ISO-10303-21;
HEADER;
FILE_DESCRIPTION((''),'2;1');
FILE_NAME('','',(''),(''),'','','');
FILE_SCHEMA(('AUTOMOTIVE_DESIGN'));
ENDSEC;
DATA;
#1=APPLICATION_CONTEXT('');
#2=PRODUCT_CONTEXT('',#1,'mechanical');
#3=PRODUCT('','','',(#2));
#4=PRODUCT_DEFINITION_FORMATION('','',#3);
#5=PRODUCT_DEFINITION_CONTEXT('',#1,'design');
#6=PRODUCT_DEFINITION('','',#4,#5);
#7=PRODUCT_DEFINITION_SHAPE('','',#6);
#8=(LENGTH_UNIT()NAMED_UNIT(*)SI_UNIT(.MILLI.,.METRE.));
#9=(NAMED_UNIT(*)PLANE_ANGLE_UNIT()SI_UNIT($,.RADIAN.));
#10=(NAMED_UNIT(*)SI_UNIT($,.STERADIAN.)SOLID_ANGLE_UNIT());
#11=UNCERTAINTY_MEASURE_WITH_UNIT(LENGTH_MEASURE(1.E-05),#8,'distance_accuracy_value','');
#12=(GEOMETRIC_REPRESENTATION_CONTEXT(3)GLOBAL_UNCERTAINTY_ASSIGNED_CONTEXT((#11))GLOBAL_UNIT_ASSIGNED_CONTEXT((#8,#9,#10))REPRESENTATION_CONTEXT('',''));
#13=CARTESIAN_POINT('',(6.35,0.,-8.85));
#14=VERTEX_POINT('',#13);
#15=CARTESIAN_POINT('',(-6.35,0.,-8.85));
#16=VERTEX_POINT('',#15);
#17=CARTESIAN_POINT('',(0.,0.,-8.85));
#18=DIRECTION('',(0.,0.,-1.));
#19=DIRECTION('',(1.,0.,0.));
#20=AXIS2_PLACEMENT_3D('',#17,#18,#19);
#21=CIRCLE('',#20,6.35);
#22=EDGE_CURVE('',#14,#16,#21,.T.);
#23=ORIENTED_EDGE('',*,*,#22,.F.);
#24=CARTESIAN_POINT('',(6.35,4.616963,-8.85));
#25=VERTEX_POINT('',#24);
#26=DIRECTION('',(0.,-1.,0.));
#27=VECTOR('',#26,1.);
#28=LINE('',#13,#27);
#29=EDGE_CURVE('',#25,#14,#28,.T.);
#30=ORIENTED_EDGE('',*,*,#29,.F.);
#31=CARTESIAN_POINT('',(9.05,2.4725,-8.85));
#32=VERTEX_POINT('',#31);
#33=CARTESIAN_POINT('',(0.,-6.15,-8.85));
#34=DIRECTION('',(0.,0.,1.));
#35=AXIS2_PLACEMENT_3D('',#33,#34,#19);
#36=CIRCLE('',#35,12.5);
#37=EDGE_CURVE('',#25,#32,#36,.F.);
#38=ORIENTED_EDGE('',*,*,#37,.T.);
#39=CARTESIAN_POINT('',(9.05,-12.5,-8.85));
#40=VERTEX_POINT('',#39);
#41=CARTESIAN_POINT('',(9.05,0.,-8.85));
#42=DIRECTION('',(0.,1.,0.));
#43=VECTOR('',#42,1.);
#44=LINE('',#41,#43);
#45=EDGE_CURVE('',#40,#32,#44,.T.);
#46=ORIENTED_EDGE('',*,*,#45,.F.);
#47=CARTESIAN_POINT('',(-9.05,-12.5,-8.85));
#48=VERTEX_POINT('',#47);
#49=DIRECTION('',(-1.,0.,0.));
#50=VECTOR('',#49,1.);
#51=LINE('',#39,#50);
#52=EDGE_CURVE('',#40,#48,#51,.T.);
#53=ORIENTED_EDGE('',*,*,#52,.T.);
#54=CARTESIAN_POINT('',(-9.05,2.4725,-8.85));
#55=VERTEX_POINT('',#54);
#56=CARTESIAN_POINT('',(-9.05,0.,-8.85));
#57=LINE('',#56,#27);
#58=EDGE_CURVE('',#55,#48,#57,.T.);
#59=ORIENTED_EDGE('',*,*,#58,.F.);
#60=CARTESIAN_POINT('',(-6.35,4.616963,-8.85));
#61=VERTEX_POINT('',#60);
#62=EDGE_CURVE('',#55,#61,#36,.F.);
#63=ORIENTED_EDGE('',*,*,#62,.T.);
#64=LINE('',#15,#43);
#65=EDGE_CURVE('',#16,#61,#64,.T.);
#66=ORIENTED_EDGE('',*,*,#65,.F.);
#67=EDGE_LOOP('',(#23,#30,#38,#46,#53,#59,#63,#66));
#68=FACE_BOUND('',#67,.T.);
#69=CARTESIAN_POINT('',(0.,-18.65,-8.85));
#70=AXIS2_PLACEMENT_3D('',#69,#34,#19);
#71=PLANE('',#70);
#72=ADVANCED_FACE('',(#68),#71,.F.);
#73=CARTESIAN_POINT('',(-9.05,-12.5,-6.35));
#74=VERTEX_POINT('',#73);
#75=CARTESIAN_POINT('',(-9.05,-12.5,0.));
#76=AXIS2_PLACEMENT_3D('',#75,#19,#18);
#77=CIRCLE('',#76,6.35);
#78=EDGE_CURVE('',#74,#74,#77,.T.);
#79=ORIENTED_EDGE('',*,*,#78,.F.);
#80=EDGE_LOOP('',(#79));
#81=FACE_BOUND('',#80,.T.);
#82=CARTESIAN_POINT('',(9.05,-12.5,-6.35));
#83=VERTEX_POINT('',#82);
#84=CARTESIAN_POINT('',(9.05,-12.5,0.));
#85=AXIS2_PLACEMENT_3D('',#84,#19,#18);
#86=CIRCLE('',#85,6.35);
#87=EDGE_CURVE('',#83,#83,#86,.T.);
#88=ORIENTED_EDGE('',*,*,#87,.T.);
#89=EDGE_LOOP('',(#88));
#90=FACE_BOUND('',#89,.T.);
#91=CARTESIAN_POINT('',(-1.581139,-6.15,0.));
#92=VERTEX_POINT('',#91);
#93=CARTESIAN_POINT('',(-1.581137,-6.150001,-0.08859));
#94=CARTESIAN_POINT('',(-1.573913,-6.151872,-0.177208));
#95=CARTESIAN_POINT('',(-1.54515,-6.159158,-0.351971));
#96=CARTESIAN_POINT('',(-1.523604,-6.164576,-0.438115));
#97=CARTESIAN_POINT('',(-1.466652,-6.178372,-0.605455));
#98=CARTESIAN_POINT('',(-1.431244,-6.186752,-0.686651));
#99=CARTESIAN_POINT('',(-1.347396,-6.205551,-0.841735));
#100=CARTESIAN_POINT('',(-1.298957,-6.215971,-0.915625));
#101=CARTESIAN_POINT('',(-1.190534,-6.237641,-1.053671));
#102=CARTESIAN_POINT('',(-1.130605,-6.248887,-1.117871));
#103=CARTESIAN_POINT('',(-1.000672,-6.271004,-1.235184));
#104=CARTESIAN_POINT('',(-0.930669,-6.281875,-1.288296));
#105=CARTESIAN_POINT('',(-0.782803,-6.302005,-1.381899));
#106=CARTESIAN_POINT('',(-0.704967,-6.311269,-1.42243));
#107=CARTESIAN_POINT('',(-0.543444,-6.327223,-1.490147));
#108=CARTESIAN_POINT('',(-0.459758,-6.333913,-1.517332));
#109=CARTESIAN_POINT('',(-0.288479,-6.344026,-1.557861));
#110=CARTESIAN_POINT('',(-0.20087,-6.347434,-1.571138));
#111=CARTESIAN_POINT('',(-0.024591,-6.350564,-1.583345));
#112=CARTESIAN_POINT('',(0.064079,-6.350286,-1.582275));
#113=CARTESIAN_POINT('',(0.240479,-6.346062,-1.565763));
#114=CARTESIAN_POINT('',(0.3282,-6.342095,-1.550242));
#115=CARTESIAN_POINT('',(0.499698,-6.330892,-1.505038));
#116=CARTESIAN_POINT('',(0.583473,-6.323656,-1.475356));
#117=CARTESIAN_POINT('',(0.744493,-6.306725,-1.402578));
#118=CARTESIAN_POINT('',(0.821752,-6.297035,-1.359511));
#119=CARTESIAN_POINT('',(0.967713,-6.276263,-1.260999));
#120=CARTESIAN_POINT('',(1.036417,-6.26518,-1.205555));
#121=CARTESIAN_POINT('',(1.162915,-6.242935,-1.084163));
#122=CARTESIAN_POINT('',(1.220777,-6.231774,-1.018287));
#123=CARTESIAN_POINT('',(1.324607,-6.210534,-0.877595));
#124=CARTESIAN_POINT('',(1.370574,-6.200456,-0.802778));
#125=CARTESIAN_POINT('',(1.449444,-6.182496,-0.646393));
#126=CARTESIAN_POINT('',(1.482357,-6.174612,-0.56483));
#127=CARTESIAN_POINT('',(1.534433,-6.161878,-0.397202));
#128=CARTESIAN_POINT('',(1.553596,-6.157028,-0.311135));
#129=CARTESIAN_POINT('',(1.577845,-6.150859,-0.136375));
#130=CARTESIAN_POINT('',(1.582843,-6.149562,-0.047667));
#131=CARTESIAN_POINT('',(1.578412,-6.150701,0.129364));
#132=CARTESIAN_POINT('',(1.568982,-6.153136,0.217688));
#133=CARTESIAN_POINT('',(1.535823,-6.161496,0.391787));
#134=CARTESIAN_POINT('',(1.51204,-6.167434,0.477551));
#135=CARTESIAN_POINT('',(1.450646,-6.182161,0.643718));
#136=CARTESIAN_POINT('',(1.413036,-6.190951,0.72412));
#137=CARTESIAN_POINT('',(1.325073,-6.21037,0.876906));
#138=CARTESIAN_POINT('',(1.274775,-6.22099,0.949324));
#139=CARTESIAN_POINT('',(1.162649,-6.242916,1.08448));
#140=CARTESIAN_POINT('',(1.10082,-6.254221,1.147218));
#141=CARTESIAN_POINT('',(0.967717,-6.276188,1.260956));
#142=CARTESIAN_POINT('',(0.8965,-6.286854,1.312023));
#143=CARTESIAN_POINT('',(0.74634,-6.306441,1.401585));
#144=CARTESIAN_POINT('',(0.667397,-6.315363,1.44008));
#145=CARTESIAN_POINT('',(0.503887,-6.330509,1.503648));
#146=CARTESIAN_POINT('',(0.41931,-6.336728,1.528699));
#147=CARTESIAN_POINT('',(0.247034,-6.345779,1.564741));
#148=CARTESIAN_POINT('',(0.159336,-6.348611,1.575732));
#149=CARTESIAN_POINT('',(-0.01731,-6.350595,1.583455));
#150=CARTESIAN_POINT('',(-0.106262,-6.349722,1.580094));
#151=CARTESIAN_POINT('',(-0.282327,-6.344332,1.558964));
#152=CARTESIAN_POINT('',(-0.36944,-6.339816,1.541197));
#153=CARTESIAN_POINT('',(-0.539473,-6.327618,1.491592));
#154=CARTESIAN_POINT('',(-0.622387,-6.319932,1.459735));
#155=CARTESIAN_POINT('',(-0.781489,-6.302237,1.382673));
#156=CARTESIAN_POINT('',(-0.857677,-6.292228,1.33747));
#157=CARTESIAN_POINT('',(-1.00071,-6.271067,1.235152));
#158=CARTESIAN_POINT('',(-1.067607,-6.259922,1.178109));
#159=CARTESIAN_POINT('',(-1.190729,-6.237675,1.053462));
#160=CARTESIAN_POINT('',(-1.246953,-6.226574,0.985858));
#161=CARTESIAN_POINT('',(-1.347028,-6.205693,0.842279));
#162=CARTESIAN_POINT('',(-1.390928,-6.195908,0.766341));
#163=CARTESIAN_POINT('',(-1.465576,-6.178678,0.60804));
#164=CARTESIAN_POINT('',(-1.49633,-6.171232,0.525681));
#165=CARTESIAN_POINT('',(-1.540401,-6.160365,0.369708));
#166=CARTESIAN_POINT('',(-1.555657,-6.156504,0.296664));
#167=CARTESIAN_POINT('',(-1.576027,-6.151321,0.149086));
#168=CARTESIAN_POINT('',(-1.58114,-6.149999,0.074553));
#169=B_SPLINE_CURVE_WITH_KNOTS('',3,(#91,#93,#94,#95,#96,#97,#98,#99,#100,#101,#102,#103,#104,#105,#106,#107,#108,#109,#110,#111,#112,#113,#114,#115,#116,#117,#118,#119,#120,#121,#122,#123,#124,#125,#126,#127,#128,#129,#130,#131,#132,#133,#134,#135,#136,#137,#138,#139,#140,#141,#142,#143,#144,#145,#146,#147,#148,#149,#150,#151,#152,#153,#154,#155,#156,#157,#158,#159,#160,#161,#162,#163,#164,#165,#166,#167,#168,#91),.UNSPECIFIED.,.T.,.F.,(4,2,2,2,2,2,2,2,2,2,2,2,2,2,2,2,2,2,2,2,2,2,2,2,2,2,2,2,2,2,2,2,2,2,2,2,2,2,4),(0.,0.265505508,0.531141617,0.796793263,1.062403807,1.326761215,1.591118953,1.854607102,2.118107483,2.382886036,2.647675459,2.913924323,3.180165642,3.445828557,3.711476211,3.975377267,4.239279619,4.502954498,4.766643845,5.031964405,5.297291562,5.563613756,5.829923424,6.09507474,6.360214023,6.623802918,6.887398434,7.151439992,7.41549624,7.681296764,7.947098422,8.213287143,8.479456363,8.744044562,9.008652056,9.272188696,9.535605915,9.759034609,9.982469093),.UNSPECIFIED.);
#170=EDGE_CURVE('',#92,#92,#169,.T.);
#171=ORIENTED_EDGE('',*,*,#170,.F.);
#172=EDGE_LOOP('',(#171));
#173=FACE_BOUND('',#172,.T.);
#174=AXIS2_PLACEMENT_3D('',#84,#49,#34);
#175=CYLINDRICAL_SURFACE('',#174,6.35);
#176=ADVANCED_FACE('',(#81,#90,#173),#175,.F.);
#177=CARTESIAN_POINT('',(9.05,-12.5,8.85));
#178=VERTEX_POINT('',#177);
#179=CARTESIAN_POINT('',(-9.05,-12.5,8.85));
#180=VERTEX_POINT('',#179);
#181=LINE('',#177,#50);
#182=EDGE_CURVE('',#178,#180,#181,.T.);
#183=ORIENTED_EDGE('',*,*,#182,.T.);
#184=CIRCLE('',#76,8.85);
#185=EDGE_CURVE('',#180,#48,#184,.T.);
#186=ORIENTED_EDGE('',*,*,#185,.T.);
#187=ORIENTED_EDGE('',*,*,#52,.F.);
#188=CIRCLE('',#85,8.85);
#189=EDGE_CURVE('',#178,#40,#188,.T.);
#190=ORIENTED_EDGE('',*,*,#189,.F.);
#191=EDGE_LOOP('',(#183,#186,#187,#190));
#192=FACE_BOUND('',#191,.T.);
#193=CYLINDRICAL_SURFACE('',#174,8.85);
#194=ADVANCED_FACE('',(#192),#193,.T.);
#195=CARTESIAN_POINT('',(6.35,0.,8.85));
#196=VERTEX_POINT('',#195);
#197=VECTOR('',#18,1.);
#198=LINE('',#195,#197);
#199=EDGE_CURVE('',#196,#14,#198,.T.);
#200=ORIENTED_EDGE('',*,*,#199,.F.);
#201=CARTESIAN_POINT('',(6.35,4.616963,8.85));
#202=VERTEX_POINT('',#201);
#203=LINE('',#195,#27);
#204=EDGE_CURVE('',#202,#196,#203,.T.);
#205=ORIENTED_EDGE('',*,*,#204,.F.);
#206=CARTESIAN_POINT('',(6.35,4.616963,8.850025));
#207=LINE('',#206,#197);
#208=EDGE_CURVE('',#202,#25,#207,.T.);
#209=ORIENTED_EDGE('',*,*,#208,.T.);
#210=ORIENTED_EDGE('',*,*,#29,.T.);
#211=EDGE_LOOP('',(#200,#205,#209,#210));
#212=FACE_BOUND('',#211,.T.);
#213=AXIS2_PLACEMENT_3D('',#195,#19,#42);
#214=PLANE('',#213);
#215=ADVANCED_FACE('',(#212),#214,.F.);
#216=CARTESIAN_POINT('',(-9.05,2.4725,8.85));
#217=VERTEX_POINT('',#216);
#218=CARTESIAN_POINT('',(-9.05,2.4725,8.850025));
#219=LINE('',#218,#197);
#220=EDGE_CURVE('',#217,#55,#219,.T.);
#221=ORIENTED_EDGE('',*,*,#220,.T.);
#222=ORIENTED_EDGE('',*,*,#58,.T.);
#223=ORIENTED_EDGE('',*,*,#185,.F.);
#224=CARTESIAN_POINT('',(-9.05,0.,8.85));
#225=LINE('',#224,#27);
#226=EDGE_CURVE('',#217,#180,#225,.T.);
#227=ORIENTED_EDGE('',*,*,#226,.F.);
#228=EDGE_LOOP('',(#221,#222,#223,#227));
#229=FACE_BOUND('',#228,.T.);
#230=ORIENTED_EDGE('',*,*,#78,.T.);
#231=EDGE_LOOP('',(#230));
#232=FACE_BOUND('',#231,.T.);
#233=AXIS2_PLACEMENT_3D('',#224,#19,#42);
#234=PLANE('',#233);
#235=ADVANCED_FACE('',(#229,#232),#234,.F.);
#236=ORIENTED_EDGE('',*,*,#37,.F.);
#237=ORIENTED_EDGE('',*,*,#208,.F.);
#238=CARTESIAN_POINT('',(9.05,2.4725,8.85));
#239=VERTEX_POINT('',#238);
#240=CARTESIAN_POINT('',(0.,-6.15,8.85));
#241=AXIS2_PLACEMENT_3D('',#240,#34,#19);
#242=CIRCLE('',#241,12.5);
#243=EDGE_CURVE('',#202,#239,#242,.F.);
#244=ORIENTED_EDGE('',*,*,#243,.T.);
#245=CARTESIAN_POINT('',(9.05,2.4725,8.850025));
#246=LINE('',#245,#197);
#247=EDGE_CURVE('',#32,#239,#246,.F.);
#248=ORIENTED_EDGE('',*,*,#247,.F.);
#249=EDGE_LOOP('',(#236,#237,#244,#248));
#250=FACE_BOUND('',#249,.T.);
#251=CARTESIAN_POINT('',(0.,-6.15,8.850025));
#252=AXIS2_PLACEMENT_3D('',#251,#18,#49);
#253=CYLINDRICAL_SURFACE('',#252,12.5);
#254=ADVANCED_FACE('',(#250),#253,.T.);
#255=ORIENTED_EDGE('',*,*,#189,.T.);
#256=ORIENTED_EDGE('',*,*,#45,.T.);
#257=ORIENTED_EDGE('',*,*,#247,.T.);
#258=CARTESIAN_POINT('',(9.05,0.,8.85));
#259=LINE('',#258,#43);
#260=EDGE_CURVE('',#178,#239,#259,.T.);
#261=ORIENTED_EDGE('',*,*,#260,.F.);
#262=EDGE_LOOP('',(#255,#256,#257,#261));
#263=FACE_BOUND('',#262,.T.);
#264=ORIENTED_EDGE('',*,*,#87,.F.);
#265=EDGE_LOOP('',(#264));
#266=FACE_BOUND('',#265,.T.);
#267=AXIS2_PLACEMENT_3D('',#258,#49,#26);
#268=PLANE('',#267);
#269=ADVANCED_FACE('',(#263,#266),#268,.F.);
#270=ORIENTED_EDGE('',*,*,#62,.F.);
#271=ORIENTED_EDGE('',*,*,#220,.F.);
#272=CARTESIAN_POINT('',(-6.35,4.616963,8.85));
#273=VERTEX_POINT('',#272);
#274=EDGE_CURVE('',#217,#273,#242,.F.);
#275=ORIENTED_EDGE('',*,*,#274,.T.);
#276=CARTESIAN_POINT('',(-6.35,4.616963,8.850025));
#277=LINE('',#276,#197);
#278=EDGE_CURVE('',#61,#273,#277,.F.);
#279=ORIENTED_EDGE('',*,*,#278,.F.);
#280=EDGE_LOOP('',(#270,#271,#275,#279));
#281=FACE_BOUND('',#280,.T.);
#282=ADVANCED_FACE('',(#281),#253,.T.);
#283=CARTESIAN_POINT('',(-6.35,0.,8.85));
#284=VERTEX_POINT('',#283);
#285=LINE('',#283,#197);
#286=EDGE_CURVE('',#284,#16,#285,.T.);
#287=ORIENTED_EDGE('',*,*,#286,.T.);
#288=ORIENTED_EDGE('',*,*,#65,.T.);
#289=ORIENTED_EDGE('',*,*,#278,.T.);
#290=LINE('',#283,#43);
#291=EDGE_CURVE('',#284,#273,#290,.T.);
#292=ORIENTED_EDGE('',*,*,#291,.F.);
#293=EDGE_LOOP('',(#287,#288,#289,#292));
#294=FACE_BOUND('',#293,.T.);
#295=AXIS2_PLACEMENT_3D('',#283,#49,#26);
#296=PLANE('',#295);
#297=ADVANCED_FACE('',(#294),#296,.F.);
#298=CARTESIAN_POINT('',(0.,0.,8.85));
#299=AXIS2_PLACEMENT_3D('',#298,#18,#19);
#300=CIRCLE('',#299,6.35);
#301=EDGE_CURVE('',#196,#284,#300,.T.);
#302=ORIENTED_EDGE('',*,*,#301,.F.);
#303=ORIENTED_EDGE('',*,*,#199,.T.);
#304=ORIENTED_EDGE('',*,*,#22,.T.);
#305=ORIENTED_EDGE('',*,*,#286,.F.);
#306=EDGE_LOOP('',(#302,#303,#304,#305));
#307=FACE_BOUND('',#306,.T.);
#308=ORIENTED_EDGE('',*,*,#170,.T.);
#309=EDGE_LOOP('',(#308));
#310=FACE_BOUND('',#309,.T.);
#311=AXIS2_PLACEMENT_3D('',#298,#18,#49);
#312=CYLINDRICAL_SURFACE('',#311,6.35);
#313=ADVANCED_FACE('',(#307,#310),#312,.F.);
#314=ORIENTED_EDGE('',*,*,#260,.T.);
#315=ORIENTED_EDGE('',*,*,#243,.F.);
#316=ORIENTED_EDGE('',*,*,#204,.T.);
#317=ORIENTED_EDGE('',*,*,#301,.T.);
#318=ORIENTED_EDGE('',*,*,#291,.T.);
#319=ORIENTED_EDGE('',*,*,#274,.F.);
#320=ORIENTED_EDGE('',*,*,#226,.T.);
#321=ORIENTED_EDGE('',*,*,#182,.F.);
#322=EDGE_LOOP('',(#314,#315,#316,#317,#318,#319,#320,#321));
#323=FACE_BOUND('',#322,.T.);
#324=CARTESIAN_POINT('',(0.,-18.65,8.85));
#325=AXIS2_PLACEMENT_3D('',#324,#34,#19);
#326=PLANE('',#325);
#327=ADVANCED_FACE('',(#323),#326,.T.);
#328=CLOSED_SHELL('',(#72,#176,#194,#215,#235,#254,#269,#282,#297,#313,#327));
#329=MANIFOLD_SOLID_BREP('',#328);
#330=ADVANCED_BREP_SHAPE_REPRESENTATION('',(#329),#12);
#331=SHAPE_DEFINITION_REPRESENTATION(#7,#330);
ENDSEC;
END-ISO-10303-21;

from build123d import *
from build123d.topology import SkipClean

# Parameters (mm, degrees)
BODY_SPAR_LINK_DEPTH                               = 8.85
SKETCH2_R                                          = 6.35
WING_SPAR_EXTRUDE_DEPTH                            = 9.05
SMALL_CUT_COMPLETION_REACH                         = 24.706
SKETCH3_W                                          = 0.352155439
SKETCH3_H                                          = 17.7
CUT_CLEANUP_DEPTH                                  = 30.172161479
CUT_CLEANUP_DEPTH_BACK                             = 30.172161479
SKETCH4_R                                          = 6.35
EDGE_ROUNDING_TO_FIT_END_CAP_OF_FUSELAG_DEPTH      = 30.172161479
EDGE_ROUNDING_TO_FIT_END_CAP_OF_FUSELAG_DEPTH_BACK = 30.172161479
WING_SPAR_CUT_CLEANUP_DEPTH                        = 30.355663941
WING_SPAR_CUT_CLEANUP_DEPTH_BACK                   = 30.355663941
SKETCH6_R                                          = 6.35


with BuildPart() as part:
    # Sketch1 → Body spar link (new, symmetric)
    with BuildSketch(Plane.XY):
        with BuildLine():
            Line((-6.35, 0), (-6.35, 5.93510313))
            add(Edge.make_bspline(
                [(-6.35, 5.93510313), (-7.712058184, 5.755612708), (-9.05, 5.499803523)],
                knots=[1.753235264, 1.753235264, 1.753235264, 1.832339372, 1.832339372, 1.832339372], degree=2, weights=[1, 0.999217919, 1]))
            Line((-9.05, 5.499803523), (-9.05, 0))
            ThreePointArc((-9.05, 0), (0, -9.05), (9.05, 0))
            Line((9.05, 0), (9.05, 5.499803523))
            add(Edge.make_bspline(
                [(9.05, 5.499803523), (7.712058184, 5.755612708), (6.35, 5.93510313)],
                knots=[4.450845935, 4.450845935, 4.450845935, 4.529950043, 4.529950043, 4.529950043], degree=2, weights=[1, 0.999217919, 1]))
            Line((6.35, 5.93510313), (6.35, 0))
            ThreePointArc((6.35, 0), (0, -6.35), (-6.35, 0))
        make_face()
    extrude(amount=BODY_SPAR_LINK_DEPTH, both=True)

    # Sketch2 → Wing spar extrude (add, symmetric)
    with BuildSketch(Plane(origin=(0, 0, 0), x_dir=(0, 0, -1), z_dir=(1, 0, 0))):
        with BuildLine():
            Line((-8.85, -12.5), (-8.85, -2.5))
            Line((-8.85, -2.5), (8.85, -2.5))
            Line((8.85, -2.5), (8.85, -12.5))
            ThreePointArc((8.85, -12.5), (0, -21.35), (-8.85, -12.5))
        make_face()
        with Locations((0, -12.5)):
            Circle(SKETCH2_R, mode=Mode.SUBTRACT)
    extrude(amount=WING_SPAR_EXTRUDE_DEPTH, both=True)

    # Sketch3 → Small cut completion (add, up to next)
    with BuildSketch(Plane(origin=(0, -2.5, 0), x_dir=(1, 0, 0), z_dir=(0, 1, 0)), mode=Mode.PRIVATE) as small_cut_completion_sk1:
        with Locations((8.873922281, 0)):
            Rectangle(SKETCH3_W, SKETCH3_H)
    small_cut_completion_tool1 = extrude(small_cut_completion_sk1.sketch, amount=SMALL_CUT_COMPLETION_REACH, mode=Mode.PRIVATE) - part.part
    # Sketch3 → Small cut completion (add, up to next)
    with BuildSketch(Plane(origin=(0, -2.5, 0), x_dir=(1, 0, 0), z_dir=(0, 1, 0)), mode=Mode.PRIVATE) as small_cut_completion_sk2:
        with Locations((-8.873922281, 0)):
            Rectangle(SKETCH3_W, SKETCH3_H)
    small_cut_completion_tool2 = extrude(small_cut_completion_sk2.sketch, amount=SMALL_CUT_COMPLETION_REACH, mode=Mode.PRIVATE) - part.part
    add(small_cut_completion_tool1.solids().sort_by_distance((8.873922, -2.5, 0))[0])
    add(small_cut_completion_tool2.solids().sort_by_distance((-8.873922, -2.5, 0))[0])

    # Sketch4 → Cut cleanup (cut, two sides: drawn at the far end of the back side and taken through both)
    with SkipClean():  # the faces are left unmerged after this step: merging them gives an invalid solid
        with BuildSketch(Plane(origin=(0, 0, -8.85), x_dir=(-1, 0, 0), z_dir=(0, 0, -1)).offset(-CUT_CLEANUP_DEPTH_BACK)):
            Circle(SKETCH4_R)
        extrude(amount=CUT_CLEANUP_DEPTH + CUT_CLEANUP_DEPTH_BACK, mode=Mode.SUBTRACT)

    # Sketch5 → Edge rounding (to fit end cap of fuselage) (cut, two sides: drawn at the far end of the back side and taken through both)
    with SkipClean():  # the faces are left unmerged after this step: merging them gives an invalid solid
        with BuildSketch(Plane(origin=(0, 0, -8.85), x_dir=(-1, 0, 0), z_dir=(0, 0, -1)).offset(-EDGE_ROUNDING_TO_FIT_END_CAP_OF_FUSELAG_DEPTH_BACK)):
            with BuildLine():
                Line((-12.5, -6.15), (-22.5, -6.15))
                ThreePointArc((-22.5, -6.15), (0, 16.35), (22.5, -6.15))
                Line((22.5, -6.15), (12.5, -6.15))
                ThreePointArc((12.5, -6.15), (0, 6.35), (-12.5, -6.15))
            make_face()
        extrude(amount=EDGE_ROUNDING_TO_FIT_END_CAP_OF_FUSELAG_DEPTH + EDGE_ROUNDING_TO_FIT_END_CAP_OF_FUSELAG_DEPTH_BACK, mode=Mode.SUBTRACT)

    # Sketch6 → Wing spar cut cleanup (cut, two sides: drawn at the far end of the back side and taken through both)
    with BuildSketch(Plane(origin=(9.05, 0, 0), x_dir=(0, 0, -1), z_dir=(1, 0, 0)).offset(-WING_SPAR_CUT_CLEANUP_DEPTH_BACK)):
        with Locations((0, -12.5)):
            Circle(SKETCH6_R)
    extrude(amount=WING_SPAR_CUT_CLEANUP_DEPTH + WING_SPAR_CUT_CLEANUP_DEPTH_BACK, mode=Mode.SUBTRACT)


solid = part.part
